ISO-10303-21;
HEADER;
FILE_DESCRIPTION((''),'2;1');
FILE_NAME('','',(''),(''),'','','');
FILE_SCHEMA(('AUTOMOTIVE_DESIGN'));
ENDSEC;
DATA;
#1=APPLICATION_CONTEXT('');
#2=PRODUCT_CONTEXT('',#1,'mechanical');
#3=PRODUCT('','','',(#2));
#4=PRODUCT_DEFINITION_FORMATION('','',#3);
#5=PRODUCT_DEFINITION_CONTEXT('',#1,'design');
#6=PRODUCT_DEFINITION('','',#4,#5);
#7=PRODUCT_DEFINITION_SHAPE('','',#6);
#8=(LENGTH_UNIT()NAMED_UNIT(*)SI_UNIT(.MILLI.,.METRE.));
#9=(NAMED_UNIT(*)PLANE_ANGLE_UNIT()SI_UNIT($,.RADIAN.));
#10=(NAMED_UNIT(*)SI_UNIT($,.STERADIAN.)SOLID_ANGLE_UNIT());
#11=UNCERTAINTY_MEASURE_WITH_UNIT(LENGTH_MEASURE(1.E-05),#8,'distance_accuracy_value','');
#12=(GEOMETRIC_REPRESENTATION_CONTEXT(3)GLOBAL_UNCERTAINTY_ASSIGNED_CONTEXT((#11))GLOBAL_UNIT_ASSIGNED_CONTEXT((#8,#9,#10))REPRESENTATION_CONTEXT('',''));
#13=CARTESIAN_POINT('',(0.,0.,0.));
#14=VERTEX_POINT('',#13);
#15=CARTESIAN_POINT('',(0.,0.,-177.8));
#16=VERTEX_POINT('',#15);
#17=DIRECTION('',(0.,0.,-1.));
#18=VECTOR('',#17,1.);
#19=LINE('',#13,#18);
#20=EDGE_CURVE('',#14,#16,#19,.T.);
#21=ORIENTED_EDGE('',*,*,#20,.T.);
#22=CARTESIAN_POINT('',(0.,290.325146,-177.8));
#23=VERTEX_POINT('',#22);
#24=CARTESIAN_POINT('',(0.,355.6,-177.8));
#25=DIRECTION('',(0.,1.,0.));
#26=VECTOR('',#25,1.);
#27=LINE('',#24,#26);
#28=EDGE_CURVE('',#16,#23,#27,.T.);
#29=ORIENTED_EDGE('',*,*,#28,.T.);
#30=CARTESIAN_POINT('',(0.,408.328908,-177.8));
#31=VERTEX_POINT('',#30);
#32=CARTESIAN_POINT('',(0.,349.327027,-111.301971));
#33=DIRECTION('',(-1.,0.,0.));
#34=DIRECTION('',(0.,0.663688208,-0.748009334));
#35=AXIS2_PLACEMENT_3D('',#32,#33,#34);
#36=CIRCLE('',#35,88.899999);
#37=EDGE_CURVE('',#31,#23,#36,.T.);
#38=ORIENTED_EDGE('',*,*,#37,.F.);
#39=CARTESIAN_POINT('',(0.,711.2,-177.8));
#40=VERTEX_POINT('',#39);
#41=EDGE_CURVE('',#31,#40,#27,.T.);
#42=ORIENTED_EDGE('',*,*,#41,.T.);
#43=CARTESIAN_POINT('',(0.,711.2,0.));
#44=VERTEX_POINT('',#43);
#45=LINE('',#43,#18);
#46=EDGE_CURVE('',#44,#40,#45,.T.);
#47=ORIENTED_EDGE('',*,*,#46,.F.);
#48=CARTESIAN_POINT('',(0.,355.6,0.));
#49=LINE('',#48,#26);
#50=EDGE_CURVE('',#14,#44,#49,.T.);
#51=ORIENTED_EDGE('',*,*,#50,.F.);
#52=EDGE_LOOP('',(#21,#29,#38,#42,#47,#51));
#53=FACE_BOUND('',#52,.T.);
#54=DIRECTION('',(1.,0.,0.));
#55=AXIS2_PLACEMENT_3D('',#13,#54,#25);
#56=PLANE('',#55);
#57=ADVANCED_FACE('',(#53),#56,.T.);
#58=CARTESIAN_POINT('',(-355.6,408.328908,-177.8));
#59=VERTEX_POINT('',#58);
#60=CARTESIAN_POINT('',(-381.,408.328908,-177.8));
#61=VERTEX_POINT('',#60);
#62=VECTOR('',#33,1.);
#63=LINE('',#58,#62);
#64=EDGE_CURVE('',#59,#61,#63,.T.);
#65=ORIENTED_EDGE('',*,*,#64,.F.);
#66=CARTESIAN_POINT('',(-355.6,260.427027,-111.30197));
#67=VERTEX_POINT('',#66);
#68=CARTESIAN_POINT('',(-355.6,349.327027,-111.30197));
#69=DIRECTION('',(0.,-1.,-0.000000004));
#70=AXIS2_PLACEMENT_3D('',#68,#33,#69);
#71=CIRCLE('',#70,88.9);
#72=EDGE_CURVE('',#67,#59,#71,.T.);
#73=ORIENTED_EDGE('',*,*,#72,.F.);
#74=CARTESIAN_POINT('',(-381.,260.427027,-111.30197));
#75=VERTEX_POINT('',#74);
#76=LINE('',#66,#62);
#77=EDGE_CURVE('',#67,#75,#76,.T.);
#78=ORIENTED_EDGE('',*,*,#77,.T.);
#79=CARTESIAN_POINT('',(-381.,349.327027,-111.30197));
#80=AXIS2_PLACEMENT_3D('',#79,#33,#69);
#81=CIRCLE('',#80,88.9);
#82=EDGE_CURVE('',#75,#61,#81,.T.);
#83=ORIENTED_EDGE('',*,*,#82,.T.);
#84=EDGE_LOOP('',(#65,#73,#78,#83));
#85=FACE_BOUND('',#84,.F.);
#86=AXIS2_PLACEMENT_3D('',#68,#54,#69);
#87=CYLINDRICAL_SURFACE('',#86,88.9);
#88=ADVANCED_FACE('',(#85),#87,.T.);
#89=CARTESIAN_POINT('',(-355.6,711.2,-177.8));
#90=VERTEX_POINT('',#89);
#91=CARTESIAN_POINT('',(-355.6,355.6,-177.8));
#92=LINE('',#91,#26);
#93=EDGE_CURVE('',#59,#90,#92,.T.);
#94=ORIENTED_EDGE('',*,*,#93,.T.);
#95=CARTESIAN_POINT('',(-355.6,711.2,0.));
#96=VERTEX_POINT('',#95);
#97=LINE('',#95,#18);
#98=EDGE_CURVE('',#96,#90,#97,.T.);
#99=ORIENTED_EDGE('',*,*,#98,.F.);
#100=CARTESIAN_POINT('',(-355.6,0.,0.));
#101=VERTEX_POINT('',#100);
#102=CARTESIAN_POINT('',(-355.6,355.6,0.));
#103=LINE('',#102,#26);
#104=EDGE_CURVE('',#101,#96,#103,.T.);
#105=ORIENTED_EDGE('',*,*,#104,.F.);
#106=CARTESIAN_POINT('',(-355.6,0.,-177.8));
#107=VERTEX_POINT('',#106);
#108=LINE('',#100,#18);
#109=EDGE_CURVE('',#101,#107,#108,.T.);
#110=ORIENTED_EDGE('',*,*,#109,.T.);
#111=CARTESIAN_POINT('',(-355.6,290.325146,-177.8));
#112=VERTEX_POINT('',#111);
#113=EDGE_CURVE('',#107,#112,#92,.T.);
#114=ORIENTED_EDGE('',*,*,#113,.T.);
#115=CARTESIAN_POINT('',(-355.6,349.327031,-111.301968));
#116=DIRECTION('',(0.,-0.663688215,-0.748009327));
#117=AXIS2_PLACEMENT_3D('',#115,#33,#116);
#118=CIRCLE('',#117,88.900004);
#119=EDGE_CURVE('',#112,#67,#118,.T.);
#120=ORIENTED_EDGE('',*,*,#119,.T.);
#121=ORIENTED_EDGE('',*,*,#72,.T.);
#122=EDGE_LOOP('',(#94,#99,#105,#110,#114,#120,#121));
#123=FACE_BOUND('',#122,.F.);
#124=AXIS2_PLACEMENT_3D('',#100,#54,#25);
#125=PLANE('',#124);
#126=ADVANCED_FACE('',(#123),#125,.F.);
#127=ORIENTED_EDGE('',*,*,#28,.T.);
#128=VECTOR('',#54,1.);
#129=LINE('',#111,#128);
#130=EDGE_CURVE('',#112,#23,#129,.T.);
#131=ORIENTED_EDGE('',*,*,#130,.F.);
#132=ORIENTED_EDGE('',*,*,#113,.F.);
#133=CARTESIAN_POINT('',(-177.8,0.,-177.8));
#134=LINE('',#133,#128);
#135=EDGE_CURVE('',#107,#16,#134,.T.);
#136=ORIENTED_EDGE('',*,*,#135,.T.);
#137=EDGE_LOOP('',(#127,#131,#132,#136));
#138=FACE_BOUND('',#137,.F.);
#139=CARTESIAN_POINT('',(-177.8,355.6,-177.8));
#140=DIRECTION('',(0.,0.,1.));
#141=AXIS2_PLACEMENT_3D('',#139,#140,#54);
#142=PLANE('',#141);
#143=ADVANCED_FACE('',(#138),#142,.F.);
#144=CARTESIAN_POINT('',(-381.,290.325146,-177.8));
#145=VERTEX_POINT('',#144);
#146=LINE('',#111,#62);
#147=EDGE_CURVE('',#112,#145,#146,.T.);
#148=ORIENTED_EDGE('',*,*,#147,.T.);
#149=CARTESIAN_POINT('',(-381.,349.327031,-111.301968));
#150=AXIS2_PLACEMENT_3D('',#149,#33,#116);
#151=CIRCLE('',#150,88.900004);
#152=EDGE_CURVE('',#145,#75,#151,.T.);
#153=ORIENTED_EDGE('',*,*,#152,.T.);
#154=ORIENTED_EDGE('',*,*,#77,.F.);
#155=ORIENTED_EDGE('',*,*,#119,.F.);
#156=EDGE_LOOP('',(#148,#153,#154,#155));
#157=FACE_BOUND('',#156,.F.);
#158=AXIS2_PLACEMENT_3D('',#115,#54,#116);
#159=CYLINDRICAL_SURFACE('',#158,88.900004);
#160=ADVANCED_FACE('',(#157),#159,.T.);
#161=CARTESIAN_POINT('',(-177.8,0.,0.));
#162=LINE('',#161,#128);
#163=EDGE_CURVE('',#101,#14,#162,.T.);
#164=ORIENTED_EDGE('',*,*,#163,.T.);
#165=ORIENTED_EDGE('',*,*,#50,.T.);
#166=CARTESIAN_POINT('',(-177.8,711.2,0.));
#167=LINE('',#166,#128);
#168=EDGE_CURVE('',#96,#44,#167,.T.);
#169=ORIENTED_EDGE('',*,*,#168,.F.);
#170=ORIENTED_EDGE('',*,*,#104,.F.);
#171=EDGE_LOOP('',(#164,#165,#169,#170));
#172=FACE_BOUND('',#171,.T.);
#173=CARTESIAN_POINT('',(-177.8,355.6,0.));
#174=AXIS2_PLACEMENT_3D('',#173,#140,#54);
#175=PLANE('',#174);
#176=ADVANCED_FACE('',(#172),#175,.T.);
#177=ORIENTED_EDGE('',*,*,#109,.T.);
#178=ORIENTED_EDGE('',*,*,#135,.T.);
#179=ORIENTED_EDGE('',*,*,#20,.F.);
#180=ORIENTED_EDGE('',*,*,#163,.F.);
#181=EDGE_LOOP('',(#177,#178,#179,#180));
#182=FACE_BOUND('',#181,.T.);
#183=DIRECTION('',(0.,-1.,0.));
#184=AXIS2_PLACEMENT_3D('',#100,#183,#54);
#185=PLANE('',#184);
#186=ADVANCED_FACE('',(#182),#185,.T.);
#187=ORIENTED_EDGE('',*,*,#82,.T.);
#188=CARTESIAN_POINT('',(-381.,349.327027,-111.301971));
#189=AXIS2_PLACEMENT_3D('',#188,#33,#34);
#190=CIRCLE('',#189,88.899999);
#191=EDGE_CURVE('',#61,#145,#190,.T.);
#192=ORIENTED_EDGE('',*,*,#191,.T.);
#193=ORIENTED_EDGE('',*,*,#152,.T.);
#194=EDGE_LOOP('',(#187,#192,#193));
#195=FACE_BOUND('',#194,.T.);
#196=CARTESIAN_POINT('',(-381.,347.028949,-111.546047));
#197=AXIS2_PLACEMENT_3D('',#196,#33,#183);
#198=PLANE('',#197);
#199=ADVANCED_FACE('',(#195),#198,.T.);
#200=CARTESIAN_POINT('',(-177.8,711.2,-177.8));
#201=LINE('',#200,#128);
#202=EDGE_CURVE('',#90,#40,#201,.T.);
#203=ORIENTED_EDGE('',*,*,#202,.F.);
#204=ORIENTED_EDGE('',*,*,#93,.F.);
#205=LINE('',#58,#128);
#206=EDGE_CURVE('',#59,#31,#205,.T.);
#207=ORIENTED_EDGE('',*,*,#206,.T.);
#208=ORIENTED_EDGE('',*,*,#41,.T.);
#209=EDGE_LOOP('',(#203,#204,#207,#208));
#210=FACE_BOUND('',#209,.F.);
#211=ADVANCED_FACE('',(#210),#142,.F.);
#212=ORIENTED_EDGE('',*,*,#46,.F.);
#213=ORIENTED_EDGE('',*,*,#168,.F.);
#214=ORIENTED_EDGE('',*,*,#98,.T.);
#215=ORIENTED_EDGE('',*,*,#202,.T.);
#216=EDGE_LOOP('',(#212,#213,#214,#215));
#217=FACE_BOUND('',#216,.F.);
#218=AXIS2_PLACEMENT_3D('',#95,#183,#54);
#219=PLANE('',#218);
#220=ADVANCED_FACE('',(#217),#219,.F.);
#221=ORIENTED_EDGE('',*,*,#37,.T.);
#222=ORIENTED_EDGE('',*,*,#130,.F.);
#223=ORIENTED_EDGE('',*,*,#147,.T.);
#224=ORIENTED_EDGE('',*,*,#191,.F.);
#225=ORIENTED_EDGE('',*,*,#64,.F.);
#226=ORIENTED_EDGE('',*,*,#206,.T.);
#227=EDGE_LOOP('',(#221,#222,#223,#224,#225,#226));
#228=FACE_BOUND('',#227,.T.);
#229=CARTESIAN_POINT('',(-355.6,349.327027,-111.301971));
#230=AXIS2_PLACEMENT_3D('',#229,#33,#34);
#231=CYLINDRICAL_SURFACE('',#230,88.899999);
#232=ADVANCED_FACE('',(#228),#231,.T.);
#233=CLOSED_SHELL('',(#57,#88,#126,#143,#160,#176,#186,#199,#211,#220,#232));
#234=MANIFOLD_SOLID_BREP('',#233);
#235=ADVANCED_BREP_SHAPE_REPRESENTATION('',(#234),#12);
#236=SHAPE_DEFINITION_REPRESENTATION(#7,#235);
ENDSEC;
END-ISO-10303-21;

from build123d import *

# Parameters (mm, degrees)
F0_W          = 355.6
F0_H          = 711.2
F1_DEPTH      = 177.8
F3_DEPTH      = 25.4
F3_DEPTH_BACK = 355.6


with BuildPart() as f1:
    # F0 (on Top) → F1 (new body)
    with BuildSketch(Plane.XY):
        with Locations((-177.8, 355.6)):
            Rectangle(F0_W, F0_H)
    extrude(amount=-F1_DEPTH)

    # F2 (on face) → F3 (join, two sides)
    with BuildSketch(Plane(origin=(-355.6, 0, 0), x_dir=(0, -1, 0), z_dir=(-1, 0, 0))) as f3_sk:
        with BuildLine():
            ThreePointArc((-290.325146, -177.8), (-268.245349, -147.75703), (-260.427027, -111.30197))
            ThreePointArc((-260.427027, -111.30197), (-385.782087, -30.220291), (-408.328908, -177.8))
            Line((-408.328908, -177.8), (-290.325146, -177.8))
        make_face()
        with BuildLine():
            Line((-290.325146, -177.8), (-408.328908, -177.8))
            ThreePointArc((-408.328908, -177.8), (-349.327027, -200.20197), (-290.325146, -177.8))
        make_face()
    extrude(amount=F3_DEPTH)
    extrude(f3_sk.sketch, amount=-F3_DEPTH_BACK)


solid = f1.part
